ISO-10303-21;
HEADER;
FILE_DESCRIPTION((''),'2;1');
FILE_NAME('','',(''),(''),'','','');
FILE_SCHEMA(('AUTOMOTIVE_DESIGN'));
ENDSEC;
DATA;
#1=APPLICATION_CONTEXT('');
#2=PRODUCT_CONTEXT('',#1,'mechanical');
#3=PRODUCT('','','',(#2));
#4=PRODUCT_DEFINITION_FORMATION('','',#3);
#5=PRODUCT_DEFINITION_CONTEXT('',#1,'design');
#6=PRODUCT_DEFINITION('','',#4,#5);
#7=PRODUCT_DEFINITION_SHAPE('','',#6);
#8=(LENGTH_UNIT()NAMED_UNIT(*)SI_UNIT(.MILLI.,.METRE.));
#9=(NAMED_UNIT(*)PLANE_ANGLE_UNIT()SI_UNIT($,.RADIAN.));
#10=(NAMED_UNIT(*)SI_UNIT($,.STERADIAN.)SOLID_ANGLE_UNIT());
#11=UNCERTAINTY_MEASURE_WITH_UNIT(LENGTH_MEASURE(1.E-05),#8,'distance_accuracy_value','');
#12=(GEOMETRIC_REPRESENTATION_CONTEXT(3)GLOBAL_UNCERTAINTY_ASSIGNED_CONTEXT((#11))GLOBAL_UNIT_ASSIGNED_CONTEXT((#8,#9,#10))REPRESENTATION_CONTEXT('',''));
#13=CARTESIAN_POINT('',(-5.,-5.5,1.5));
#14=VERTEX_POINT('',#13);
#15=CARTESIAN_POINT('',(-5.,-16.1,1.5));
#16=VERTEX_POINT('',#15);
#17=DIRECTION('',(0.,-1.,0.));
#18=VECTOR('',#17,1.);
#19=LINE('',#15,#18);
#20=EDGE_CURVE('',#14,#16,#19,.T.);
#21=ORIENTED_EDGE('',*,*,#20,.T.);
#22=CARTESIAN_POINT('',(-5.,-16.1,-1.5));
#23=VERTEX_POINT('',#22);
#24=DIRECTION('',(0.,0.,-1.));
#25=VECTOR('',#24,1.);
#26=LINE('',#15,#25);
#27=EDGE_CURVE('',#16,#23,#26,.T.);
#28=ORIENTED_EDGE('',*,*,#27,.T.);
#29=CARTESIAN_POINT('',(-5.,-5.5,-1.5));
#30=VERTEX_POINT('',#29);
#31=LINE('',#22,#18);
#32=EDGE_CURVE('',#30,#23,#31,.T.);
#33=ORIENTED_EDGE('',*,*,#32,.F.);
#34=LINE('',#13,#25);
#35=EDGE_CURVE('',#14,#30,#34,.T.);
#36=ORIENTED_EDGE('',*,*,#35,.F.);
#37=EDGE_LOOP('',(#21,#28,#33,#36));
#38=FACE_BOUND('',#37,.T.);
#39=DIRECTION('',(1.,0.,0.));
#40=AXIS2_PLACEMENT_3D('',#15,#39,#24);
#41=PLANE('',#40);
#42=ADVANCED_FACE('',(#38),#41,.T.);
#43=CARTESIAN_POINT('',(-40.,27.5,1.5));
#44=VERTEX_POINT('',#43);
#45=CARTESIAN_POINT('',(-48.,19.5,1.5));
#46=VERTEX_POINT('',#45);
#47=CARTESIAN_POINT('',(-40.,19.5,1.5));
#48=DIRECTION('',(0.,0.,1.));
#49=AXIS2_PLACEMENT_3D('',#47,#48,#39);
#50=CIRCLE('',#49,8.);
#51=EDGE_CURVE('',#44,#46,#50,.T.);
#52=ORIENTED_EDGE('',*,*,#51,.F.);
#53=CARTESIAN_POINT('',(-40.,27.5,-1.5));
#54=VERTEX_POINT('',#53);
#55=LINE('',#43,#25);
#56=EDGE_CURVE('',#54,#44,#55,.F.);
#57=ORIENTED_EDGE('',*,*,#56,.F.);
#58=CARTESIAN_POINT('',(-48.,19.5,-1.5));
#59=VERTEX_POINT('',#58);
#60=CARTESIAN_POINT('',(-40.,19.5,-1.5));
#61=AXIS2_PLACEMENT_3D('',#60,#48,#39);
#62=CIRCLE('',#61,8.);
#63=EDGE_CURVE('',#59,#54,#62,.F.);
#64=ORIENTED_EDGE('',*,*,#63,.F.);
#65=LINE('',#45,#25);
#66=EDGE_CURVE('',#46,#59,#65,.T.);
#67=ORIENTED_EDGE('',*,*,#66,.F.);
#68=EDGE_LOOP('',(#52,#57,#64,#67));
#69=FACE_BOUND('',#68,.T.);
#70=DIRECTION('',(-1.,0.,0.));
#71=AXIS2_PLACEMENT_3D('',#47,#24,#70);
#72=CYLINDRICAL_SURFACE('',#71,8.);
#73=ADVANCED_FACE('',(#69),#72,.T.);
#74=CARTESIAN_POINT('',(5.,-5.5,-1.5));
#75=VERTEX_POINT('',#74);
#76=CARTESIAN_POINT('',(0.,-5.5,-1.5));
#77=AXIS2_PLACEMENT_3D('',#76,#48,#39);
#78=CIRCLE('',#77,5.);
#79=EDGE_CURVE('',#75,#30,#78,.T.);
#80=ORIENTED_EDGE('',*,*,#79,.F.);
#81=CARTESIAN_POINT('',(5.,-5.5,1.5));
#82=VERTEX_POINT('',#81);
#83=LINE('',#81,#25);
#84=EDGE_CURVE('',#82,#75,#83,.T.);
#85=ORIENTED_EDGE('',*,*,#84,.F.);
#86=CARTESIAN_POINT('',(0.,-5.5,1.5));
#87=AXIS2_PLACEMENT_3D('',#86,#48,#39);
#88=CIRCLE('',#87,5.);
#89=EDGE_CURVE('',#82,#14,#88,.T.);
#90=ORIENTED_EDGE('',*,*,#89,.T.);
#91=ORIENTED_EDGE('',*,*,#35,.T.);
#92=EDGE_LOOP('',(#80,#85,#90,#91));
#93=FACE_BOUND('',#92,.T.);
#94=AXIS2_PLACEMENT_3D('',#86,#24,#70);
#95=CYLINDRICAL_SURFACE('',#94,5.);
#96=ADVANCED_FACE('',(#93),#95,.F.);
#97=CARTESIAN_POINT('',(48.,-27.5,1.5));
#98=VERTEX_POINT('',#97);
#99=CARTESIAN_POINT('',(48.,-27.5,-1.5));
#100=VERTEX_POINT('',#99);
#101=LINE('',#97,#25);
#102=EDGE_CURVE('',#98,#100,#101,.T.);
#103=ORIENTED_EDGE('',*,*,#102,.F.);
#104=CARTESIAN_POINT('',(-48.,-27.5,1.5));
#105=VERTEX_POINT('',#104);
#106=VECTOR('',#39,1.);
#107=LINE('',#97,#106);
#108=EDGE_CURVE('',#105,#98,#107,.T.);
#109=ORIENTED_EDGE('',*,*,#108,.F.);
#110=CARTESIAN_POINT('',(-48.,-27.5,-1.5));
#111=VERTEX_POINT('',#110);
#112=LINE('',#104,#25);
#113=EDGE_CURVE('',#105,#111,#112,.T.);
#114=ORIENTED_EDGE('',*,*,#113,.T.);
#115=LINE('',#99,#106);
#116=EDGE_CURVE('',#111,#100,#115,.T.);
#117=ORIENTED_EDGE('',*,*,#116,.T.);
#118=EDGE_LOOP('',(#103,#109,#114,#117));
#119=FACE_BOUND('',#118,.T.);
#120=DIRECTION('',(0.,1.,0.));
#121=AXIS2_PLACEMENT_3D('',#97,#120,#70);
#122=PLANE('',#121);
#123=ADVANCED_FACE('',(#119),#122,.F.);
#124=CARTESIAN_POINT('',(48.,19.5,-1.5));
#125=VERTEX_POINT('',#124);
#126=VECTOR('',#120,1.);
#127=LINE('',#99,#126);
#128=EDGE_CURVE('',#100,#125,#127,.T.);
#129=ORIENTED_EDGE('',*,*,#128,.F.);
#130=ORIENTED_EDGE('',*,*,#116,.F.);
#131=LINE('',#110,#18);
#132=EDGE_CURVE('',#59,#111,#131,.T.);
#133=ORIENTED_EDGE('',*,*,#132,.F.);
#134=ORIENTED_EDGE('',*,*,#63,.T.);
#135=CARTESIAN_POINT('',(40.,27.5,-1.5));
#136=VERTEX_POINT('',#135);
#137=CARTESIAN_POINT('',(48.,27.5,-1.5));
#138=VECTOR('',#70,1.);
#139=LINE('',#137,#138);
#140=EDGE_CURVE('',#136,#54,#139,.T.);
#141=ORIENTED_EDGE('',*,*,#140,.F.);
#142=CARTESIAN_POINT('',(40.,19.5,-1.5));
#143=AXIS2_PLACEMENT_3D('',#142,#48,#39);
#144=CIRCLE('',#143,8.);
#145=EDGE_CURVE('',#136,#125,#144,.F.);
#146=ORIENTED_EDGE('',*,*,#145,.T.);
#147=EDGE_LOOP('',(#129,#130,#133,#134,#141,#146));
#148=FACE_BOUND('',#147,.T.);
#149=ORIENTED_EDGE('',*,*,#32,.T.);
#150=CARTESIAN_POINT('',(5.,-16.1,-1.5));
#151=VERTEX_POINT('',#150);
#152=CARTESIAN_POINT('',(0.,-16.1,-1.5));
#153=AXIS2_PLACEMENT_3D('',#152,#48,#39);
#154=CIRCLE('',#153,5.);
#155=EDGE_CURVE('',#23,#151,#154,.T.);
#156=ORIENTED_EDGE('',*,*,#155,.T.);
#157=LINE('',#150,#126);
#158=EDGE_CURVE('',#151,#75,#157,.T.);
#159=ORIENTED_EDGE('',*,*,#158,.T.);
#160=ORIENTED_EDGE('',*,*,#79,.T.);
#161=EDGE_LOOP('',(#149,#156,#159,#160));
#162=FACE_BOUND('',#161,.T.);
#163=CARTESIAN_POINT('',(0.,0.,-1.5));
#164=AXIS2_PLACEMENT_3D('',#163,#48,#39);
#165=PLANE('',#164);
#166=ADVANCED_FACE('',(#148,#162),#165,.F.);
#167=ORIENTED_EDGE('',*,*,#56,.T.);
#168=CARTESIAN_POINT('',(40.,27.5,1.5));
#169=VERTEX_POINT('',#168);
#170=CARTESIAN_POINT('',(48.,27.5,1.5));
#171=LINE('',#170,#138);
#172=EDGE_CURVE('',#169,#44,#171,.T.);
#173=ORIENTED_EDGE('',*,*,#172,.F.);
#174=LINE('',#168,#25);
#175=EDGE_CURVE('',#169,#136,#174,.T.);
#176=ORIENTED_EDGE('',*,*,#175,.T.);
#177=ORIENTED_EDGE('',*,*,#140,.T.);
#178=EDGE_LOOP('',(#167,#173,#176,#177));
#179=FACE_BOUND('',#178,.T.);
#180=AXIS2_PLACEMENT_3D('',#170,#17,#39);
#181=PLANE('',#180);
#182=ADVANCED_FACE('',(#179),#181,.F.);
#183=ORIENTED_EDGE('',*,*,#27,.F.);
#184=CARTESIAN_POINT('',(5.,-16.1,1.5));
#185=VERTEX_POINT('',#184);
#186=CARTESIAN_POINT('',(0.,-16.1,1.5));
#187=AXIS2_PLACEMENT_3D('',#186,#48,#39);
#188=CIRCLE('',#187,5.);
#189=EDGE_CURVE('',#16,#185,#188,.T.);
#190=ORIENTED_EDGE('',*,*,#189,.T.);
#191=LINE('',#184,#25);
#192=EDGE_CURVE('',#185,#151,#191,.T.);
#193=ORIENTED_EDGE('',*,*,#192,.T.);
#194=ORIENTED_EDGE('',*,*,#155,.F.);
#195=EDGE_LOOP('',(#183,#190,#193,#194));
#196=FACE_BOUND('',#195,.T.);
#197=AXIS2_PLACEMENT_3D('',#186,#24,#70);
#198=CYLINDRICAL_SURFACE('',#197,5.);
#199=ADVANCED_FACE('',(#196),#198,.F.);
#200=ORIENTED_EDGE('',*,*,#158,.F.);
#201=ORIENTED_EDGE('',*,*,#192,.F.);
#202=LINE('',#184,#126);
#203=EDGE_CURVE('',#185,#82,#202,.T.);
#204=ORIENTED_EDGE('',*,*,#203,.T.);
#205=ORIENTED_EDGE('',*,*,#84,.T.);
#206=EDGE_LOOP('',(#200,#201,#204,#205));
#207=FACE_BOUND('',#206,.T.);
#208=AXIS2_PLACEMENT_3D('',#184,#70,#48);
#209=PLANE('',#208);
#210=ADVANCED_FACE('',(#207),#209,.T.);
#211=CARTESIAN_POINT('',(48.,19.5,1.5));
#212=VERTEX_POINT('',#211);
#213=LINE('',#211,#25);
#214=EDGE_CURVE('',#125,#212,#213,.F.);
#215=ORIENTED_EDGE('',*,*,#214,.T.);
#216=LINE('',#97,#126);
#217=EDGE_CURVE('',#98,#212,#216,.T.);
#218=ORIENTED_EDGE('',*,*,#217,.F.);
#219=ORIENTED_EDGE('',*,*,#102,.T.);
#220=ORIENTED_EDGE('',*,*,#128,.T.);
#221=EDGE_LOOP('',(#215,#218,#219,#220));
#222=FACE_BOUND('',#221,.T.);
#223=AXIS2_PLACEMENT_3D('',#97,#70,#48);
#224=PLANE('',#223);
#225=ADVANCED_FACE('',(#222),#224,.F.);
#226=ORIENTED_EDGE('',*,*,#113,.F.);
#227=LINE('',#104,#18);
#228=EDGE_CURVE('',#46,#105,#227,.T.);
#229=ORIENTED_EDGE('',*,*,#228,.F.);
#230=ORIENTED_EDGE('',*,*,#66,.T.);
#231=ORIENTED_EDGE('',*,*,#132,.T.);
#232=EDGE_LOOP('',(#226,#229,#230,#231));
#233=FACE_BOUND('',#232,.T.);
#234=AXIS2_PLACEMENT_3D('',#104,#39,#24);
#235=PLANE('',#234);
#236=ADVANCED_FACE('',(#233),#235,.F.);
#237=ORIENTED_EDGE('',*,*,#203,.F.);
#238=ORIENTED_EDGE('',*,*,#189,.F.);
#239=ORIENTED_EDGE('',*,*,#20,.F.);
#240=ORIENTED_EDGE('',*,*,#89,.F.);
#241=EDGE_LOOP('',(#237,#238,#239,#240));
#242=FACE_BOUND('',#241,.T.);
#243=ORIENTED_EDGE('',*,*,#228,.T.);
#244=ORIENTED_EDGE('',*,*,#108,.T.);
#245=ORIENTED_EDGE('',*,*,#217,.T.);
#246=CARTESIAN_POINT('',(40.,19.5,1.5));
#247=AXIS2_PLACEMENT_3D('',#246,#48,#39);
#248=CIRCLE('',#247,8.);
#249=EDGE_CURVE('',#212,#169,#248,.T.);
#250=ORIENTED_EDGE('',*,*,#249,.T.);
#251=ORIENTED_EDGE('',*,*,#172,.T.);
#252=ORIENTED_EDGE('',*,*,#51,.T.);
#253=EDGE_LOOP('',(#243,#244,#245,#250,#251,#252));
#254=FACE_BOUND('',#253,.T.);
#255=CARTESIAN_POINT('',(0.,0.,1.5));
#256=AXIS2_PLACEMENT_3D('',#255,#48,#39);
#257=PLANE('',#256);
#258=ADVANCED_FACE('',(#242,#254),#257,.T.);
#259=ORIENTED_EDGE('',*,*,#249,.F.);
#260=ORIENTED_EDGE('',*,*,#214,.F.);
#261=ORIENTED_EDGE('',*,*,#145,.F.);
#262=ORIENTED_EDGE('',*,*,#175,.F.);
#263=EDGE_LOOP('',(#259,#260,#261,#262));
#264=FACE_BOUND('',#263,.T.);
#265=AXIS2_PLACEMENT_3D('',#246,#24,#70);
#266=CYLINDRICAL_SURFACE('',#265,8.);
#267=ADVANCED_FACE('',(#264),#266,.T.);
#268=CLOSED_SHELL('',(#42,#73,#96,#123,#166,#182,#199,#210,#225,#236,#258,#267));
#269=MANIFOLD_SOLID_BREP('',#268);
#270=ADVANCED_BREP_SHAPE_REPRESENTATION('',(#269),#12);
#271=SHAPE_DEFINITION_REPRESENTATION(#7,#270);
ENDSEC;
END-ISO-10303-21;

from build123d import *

# Parameters (mm, degrees)
SKETCH1_W           = 96
SKETCH1_H           = 55
BOSS_EXTRUDE1_DEPTH = 1.5
FILLET1_R           = 8


with BuildPart() as part:
    # Sketch1 → Boss-Extrude1 (new, symmetric)
    with BuildSketch(Plane.XY):
        Rectangle(SKETCH1_W, SKETCH1_H)
        with BuildLine():
            Line((-5, -16.1), (-5, -5.5))
            ThreePointArc((-5, -5.5), (0, -0.5), (5, -5.5))
            Line((5, -5.5), (5, -16.1))
            ThreePointArc((5, -16.1), (0, -21.1), (-5, -16.1))
        make_face(mode=Mode.SUBTRACT)
    extrude(amount=BOSS_EXTRUDE1_DEPTH, both=True)

    # Fillet1
    fillet1_edges = [part.edges().sort_by_distance(p)[0] for p in [
        (-48, 27.5, 0),
        (48, 27.5, 0),
    ]]
    fillet(fillet1_edges, radius=FILLET1_R)


solid = part.part
